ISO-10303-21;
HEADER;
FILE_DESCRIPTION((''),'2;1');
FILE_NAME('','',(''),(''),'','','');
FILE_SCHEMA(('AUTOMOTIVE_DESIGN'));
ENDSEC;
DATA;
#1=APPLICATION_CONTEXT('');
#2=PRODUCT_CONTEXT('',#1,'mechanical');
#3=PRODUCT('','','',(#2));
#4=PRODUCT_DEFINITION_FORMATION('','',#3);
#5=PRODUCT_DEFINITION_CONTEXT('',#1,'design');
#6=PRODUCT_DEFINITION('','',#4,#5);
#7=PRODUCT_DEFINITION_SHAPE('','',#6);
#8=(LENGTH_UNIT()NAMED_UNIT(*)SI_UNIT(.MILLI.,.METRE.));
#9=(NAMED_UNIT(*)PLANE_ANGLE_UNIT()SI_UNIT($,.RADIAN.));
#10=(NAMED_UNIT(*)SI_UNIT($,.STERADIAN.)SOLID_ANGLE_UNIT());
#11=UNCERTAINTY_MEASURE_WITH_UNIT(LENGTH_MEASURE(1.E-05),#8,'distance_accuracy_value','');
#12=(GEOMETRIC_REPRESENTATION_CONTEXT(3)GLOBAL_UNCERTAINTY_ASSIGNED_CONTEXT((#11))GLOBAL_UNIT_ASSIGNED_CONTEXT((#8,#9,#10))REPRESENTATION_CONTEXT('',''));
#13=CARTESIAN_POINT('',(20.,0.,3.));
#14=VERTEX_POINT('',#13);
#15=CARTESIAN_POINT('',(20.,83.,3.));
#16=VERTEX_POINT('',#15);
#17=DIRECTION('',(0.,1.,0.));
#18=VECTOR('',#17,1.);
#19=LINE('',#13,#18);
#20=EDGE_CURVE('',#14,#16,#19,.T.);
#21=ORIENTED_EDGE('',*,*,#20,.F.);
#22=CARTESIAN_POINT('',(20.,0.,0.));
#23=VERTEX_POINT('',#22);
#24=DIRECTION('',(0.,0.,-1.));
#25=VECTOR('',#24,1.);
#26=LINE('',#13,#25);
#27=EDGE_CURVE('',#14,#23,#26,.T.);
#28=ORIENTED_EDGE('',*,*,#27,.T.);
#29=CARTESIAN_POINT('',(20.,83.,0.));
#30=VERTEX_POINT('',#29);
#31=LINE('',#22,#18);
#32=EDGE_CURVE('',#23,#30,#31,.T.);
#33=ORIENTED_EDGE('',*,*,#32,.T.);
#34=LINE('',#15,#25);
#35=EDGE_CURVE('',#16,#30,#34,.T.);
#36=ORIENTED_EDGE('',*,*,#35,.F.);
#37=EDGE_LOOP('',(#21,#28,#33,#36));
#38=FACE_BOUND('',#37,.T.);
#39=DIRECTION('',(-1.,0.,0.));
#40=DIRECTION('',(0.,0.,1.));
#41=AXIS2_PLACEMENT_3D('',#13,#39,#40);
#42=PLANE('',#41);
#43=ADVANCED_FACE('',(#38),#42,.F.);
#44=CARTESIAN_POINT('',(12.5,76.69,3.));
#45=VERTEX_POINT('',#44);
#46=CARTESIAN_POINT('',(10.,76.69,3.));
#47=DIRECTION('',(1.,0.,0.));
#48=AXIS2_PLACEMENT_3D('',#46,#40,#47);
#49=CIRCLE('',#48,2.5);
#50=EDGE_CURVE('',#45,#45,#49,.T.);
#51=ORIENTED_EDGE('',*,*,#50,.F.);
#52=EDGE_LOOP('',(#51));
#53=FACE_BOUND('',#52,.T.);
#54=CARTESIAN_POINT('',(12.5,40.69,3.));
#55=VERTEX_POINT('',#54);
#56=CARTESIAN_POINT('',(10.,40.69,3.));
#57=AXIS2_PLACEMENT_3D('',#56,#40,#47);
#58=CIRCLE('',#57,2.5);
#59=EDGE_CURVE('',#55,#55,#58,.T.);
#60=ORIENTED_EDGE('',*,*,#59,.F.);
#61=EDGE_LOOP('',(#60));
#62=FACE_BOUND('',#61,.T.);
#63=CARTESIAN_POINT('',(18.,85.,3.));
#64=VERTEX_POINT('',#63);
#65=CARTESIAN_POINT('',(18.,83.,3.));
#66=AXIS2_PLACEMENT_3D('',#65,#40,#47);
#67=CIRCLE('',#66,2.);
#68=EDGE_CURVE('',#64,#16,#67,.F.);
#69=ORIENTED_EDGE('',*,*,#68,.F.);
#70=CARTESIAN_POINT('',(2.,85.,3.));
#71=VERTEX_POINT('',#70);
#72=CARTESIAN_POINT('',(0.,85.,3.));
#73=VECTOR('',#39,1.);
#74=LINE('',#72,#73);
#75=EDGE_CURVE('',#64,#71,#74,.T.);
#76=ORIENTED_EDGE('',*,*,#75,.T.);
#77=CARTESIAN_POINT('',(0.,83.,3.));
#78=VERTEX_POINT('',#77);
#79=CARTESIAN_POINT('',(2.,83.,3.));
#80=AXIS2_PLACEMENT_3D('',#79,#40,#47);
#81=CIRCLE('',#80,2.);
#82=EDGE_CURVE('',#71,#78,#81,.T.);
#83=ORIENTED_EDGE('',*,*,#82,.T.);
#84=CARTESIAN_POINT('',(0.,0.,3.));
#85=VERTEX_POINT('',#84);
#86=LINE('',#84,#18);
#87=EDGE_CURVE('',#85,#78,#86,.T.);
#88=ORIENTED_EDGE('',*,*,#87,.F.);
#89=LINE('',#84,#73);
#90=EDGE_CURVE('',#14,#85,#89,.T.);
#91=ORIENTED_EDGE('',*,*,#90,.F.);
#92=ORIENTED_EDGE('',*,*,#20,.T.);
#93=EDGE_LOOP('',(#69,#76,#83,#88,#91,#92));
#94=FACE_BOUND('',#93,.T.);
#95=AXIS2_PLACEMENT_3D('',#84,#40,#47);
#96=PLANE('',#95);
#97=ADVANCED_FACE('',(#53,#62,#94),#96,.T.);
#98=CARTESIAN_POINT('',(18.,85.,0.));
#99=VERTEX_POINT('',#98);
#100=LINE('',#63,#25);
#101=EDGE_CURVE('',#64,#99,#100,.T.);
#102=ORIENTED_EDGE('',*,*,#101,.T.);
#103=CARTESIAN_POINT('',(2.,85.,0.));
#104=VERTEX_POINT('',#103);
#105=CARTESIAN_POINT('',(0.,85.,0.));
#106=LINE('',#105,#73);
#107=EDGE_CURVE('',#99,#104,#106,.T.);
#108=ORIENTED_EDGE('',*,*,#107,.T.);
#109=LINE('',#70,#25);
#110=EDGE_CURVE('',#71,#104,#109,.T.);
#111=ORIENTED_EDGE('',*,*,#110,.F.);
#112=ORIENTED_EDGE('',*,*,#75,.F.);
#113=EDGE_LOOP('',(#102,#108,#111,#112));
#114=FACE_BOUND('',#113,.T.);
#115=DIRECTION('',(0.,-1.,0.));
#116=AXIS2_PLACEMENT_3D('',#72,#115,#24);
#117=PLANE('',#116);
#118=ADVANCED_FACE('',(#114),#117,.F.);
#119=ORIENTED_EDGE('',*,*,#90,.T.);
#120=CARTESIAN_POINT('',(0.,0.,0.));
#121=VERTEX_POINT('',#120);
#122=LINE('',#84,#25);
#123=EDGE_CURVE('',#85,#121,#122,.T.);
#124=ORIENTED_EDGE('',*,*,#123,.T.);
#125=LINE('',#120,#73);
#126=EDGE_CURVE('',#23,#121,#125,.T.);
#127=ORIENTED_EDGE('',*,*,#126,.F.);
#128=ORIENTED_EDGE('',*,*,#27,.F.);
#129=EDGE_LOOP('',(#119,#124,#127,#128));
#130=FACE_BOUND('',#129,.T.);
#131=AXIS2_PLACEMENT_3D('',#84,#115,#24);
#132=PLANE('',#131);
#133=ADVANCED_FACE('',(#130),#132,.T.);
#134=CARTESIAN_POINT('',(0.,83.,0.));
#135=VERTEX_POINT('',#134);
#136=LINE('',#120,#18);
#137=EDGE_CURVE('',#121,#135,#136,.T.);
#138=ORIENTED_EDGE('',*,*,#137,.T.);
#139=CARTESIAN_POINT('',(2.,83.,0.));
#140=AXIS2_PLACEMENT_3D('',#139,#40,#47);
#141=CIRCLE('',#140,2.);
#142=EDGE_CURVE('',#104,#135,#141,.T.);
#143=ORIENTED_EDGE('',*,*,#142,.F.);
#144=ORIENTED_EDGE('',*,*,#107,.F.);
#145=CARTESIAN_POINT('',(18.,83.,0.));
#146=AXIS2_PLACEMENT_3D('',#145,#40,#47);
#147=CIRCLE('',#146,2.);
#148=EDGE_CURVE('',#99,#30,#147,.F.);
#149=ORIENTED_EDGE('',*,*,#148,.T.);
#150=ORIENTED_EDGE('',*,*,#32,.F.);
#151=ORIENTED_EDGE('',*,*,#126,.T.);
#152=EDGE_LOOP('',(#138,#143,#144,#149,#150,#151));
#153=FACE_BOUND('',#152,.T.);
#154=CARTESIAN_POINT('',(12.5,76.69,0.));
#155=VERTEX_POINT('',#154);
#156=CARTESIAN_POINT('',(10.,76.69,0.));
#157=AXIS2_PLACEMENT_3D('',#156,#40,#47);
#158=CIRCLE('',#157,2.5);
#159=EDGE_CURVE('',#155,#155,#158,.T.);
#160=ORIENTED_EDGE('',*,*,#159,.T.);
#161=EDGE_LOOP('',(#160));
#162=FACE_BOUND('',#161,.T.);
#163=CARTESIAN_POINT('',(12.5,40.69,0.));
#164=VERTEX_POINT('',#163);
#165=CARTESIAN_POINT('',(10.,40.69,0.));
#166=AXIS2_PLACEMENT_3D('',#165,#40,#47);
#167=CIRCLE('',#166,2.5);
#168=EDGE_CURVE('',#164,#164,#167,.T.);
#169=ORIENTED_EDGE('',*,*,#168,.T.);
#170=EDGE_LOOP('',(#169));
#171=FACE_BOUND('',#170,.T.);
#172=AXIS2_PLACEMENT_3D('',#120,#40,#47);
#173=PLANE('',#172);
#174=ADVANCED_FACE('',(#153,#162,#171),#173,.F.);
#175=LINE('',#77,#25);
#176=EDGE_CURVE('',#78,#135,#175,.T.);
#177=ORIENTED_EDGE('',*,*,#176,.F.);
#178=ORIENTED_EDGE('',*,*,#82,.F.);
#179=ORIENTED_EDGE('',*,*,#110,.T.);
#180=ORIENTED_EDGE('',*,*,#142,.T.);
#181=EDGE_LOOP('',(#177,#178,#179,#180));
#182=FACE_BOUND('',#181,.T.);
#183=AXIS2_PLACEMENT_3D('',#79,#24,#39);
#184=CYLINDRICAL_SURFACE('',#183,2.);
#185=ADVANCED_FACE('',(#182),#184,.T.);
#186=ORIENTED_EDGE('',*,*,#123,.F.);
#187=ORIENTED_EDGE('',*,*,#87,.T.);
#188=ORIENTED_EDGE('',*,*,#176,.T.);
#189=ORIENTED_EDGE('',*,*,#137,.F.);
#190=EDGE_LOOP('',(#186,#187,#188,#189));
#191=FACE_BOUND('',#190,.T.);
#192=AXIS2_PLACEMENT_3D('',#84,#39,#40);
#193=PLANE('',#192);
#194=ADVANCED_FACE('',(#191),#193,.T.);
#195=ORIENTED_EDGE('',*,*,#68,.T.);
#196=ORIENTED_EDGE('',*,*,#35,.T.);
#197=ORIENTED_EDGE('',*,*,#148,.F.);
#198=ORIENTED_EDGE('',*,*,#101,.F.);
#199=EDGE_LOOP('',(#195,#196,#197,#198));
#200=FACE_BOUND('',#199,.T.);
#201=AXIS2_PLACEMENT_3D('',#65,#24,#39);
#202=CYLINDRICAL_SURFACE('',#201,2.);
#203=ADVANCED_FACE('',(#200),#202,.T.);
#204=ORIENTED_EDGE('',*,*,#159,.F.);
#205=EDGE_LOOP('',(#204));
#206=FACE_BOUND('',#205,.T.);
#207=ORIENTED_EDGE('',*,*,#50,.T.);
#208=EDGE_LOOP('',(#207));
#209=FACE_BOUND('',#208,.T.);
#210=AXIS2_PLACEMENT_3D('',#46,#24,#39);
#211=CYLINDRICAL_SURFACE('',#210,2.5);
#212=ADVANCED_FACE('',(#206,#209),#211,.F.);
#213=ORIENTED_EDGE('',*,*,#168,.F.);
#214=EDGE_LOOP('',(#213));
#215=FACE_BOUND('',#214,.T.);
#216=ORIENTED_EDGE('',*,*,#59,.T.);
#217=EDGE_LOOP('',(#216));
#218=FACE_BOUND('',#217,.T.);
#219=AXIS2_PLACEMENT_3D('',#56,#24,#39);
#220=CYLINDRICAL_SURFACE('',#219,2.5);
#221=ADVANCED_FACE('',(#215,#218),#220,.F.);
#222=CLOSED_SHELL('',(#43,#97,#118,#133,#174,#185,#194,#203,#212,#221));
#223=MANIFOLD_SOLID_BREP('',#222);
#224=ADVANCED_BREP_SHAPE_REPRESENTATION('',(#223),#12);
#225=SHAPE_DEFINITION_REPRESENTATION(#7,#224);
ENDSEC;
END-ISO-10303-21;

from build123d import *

# Parameters (mm, degrees)
CROQUIS1_R              = 2.5
SALIENTE_EXTRUIR1_DEPTH = 3


with BuildPart() as part:
    # Croquis1 → Saliente-Extruir1 (new body)
    with BuildSketch(Plane.XY):
        with BuildLine():
            Line((20, 0), (20, 83))
            ThreePointArc((20, 83), (19.414213562, 84.414213562), (18, 85))
            Line((18, 85), (2, 85))
            ThreePointArc((2, 85), (0.585786438, 84.414213562), (0, 83))
            Line((0, 83), (0, 0))
            Line((0, 0), (20, 0))
        make_face()
        with Locations((10, 76.69)):
            Circle(CROQUIS1_R, mode=Mode.SUBTRACT)
        with Locations((10, 40.69)):
            Circle(CROQUIS1_R, mode=Mode.SUBTRACT)
    extrude(amount=SALIENTE_EXTRUIR1_DEPTH)


solid = part.part
